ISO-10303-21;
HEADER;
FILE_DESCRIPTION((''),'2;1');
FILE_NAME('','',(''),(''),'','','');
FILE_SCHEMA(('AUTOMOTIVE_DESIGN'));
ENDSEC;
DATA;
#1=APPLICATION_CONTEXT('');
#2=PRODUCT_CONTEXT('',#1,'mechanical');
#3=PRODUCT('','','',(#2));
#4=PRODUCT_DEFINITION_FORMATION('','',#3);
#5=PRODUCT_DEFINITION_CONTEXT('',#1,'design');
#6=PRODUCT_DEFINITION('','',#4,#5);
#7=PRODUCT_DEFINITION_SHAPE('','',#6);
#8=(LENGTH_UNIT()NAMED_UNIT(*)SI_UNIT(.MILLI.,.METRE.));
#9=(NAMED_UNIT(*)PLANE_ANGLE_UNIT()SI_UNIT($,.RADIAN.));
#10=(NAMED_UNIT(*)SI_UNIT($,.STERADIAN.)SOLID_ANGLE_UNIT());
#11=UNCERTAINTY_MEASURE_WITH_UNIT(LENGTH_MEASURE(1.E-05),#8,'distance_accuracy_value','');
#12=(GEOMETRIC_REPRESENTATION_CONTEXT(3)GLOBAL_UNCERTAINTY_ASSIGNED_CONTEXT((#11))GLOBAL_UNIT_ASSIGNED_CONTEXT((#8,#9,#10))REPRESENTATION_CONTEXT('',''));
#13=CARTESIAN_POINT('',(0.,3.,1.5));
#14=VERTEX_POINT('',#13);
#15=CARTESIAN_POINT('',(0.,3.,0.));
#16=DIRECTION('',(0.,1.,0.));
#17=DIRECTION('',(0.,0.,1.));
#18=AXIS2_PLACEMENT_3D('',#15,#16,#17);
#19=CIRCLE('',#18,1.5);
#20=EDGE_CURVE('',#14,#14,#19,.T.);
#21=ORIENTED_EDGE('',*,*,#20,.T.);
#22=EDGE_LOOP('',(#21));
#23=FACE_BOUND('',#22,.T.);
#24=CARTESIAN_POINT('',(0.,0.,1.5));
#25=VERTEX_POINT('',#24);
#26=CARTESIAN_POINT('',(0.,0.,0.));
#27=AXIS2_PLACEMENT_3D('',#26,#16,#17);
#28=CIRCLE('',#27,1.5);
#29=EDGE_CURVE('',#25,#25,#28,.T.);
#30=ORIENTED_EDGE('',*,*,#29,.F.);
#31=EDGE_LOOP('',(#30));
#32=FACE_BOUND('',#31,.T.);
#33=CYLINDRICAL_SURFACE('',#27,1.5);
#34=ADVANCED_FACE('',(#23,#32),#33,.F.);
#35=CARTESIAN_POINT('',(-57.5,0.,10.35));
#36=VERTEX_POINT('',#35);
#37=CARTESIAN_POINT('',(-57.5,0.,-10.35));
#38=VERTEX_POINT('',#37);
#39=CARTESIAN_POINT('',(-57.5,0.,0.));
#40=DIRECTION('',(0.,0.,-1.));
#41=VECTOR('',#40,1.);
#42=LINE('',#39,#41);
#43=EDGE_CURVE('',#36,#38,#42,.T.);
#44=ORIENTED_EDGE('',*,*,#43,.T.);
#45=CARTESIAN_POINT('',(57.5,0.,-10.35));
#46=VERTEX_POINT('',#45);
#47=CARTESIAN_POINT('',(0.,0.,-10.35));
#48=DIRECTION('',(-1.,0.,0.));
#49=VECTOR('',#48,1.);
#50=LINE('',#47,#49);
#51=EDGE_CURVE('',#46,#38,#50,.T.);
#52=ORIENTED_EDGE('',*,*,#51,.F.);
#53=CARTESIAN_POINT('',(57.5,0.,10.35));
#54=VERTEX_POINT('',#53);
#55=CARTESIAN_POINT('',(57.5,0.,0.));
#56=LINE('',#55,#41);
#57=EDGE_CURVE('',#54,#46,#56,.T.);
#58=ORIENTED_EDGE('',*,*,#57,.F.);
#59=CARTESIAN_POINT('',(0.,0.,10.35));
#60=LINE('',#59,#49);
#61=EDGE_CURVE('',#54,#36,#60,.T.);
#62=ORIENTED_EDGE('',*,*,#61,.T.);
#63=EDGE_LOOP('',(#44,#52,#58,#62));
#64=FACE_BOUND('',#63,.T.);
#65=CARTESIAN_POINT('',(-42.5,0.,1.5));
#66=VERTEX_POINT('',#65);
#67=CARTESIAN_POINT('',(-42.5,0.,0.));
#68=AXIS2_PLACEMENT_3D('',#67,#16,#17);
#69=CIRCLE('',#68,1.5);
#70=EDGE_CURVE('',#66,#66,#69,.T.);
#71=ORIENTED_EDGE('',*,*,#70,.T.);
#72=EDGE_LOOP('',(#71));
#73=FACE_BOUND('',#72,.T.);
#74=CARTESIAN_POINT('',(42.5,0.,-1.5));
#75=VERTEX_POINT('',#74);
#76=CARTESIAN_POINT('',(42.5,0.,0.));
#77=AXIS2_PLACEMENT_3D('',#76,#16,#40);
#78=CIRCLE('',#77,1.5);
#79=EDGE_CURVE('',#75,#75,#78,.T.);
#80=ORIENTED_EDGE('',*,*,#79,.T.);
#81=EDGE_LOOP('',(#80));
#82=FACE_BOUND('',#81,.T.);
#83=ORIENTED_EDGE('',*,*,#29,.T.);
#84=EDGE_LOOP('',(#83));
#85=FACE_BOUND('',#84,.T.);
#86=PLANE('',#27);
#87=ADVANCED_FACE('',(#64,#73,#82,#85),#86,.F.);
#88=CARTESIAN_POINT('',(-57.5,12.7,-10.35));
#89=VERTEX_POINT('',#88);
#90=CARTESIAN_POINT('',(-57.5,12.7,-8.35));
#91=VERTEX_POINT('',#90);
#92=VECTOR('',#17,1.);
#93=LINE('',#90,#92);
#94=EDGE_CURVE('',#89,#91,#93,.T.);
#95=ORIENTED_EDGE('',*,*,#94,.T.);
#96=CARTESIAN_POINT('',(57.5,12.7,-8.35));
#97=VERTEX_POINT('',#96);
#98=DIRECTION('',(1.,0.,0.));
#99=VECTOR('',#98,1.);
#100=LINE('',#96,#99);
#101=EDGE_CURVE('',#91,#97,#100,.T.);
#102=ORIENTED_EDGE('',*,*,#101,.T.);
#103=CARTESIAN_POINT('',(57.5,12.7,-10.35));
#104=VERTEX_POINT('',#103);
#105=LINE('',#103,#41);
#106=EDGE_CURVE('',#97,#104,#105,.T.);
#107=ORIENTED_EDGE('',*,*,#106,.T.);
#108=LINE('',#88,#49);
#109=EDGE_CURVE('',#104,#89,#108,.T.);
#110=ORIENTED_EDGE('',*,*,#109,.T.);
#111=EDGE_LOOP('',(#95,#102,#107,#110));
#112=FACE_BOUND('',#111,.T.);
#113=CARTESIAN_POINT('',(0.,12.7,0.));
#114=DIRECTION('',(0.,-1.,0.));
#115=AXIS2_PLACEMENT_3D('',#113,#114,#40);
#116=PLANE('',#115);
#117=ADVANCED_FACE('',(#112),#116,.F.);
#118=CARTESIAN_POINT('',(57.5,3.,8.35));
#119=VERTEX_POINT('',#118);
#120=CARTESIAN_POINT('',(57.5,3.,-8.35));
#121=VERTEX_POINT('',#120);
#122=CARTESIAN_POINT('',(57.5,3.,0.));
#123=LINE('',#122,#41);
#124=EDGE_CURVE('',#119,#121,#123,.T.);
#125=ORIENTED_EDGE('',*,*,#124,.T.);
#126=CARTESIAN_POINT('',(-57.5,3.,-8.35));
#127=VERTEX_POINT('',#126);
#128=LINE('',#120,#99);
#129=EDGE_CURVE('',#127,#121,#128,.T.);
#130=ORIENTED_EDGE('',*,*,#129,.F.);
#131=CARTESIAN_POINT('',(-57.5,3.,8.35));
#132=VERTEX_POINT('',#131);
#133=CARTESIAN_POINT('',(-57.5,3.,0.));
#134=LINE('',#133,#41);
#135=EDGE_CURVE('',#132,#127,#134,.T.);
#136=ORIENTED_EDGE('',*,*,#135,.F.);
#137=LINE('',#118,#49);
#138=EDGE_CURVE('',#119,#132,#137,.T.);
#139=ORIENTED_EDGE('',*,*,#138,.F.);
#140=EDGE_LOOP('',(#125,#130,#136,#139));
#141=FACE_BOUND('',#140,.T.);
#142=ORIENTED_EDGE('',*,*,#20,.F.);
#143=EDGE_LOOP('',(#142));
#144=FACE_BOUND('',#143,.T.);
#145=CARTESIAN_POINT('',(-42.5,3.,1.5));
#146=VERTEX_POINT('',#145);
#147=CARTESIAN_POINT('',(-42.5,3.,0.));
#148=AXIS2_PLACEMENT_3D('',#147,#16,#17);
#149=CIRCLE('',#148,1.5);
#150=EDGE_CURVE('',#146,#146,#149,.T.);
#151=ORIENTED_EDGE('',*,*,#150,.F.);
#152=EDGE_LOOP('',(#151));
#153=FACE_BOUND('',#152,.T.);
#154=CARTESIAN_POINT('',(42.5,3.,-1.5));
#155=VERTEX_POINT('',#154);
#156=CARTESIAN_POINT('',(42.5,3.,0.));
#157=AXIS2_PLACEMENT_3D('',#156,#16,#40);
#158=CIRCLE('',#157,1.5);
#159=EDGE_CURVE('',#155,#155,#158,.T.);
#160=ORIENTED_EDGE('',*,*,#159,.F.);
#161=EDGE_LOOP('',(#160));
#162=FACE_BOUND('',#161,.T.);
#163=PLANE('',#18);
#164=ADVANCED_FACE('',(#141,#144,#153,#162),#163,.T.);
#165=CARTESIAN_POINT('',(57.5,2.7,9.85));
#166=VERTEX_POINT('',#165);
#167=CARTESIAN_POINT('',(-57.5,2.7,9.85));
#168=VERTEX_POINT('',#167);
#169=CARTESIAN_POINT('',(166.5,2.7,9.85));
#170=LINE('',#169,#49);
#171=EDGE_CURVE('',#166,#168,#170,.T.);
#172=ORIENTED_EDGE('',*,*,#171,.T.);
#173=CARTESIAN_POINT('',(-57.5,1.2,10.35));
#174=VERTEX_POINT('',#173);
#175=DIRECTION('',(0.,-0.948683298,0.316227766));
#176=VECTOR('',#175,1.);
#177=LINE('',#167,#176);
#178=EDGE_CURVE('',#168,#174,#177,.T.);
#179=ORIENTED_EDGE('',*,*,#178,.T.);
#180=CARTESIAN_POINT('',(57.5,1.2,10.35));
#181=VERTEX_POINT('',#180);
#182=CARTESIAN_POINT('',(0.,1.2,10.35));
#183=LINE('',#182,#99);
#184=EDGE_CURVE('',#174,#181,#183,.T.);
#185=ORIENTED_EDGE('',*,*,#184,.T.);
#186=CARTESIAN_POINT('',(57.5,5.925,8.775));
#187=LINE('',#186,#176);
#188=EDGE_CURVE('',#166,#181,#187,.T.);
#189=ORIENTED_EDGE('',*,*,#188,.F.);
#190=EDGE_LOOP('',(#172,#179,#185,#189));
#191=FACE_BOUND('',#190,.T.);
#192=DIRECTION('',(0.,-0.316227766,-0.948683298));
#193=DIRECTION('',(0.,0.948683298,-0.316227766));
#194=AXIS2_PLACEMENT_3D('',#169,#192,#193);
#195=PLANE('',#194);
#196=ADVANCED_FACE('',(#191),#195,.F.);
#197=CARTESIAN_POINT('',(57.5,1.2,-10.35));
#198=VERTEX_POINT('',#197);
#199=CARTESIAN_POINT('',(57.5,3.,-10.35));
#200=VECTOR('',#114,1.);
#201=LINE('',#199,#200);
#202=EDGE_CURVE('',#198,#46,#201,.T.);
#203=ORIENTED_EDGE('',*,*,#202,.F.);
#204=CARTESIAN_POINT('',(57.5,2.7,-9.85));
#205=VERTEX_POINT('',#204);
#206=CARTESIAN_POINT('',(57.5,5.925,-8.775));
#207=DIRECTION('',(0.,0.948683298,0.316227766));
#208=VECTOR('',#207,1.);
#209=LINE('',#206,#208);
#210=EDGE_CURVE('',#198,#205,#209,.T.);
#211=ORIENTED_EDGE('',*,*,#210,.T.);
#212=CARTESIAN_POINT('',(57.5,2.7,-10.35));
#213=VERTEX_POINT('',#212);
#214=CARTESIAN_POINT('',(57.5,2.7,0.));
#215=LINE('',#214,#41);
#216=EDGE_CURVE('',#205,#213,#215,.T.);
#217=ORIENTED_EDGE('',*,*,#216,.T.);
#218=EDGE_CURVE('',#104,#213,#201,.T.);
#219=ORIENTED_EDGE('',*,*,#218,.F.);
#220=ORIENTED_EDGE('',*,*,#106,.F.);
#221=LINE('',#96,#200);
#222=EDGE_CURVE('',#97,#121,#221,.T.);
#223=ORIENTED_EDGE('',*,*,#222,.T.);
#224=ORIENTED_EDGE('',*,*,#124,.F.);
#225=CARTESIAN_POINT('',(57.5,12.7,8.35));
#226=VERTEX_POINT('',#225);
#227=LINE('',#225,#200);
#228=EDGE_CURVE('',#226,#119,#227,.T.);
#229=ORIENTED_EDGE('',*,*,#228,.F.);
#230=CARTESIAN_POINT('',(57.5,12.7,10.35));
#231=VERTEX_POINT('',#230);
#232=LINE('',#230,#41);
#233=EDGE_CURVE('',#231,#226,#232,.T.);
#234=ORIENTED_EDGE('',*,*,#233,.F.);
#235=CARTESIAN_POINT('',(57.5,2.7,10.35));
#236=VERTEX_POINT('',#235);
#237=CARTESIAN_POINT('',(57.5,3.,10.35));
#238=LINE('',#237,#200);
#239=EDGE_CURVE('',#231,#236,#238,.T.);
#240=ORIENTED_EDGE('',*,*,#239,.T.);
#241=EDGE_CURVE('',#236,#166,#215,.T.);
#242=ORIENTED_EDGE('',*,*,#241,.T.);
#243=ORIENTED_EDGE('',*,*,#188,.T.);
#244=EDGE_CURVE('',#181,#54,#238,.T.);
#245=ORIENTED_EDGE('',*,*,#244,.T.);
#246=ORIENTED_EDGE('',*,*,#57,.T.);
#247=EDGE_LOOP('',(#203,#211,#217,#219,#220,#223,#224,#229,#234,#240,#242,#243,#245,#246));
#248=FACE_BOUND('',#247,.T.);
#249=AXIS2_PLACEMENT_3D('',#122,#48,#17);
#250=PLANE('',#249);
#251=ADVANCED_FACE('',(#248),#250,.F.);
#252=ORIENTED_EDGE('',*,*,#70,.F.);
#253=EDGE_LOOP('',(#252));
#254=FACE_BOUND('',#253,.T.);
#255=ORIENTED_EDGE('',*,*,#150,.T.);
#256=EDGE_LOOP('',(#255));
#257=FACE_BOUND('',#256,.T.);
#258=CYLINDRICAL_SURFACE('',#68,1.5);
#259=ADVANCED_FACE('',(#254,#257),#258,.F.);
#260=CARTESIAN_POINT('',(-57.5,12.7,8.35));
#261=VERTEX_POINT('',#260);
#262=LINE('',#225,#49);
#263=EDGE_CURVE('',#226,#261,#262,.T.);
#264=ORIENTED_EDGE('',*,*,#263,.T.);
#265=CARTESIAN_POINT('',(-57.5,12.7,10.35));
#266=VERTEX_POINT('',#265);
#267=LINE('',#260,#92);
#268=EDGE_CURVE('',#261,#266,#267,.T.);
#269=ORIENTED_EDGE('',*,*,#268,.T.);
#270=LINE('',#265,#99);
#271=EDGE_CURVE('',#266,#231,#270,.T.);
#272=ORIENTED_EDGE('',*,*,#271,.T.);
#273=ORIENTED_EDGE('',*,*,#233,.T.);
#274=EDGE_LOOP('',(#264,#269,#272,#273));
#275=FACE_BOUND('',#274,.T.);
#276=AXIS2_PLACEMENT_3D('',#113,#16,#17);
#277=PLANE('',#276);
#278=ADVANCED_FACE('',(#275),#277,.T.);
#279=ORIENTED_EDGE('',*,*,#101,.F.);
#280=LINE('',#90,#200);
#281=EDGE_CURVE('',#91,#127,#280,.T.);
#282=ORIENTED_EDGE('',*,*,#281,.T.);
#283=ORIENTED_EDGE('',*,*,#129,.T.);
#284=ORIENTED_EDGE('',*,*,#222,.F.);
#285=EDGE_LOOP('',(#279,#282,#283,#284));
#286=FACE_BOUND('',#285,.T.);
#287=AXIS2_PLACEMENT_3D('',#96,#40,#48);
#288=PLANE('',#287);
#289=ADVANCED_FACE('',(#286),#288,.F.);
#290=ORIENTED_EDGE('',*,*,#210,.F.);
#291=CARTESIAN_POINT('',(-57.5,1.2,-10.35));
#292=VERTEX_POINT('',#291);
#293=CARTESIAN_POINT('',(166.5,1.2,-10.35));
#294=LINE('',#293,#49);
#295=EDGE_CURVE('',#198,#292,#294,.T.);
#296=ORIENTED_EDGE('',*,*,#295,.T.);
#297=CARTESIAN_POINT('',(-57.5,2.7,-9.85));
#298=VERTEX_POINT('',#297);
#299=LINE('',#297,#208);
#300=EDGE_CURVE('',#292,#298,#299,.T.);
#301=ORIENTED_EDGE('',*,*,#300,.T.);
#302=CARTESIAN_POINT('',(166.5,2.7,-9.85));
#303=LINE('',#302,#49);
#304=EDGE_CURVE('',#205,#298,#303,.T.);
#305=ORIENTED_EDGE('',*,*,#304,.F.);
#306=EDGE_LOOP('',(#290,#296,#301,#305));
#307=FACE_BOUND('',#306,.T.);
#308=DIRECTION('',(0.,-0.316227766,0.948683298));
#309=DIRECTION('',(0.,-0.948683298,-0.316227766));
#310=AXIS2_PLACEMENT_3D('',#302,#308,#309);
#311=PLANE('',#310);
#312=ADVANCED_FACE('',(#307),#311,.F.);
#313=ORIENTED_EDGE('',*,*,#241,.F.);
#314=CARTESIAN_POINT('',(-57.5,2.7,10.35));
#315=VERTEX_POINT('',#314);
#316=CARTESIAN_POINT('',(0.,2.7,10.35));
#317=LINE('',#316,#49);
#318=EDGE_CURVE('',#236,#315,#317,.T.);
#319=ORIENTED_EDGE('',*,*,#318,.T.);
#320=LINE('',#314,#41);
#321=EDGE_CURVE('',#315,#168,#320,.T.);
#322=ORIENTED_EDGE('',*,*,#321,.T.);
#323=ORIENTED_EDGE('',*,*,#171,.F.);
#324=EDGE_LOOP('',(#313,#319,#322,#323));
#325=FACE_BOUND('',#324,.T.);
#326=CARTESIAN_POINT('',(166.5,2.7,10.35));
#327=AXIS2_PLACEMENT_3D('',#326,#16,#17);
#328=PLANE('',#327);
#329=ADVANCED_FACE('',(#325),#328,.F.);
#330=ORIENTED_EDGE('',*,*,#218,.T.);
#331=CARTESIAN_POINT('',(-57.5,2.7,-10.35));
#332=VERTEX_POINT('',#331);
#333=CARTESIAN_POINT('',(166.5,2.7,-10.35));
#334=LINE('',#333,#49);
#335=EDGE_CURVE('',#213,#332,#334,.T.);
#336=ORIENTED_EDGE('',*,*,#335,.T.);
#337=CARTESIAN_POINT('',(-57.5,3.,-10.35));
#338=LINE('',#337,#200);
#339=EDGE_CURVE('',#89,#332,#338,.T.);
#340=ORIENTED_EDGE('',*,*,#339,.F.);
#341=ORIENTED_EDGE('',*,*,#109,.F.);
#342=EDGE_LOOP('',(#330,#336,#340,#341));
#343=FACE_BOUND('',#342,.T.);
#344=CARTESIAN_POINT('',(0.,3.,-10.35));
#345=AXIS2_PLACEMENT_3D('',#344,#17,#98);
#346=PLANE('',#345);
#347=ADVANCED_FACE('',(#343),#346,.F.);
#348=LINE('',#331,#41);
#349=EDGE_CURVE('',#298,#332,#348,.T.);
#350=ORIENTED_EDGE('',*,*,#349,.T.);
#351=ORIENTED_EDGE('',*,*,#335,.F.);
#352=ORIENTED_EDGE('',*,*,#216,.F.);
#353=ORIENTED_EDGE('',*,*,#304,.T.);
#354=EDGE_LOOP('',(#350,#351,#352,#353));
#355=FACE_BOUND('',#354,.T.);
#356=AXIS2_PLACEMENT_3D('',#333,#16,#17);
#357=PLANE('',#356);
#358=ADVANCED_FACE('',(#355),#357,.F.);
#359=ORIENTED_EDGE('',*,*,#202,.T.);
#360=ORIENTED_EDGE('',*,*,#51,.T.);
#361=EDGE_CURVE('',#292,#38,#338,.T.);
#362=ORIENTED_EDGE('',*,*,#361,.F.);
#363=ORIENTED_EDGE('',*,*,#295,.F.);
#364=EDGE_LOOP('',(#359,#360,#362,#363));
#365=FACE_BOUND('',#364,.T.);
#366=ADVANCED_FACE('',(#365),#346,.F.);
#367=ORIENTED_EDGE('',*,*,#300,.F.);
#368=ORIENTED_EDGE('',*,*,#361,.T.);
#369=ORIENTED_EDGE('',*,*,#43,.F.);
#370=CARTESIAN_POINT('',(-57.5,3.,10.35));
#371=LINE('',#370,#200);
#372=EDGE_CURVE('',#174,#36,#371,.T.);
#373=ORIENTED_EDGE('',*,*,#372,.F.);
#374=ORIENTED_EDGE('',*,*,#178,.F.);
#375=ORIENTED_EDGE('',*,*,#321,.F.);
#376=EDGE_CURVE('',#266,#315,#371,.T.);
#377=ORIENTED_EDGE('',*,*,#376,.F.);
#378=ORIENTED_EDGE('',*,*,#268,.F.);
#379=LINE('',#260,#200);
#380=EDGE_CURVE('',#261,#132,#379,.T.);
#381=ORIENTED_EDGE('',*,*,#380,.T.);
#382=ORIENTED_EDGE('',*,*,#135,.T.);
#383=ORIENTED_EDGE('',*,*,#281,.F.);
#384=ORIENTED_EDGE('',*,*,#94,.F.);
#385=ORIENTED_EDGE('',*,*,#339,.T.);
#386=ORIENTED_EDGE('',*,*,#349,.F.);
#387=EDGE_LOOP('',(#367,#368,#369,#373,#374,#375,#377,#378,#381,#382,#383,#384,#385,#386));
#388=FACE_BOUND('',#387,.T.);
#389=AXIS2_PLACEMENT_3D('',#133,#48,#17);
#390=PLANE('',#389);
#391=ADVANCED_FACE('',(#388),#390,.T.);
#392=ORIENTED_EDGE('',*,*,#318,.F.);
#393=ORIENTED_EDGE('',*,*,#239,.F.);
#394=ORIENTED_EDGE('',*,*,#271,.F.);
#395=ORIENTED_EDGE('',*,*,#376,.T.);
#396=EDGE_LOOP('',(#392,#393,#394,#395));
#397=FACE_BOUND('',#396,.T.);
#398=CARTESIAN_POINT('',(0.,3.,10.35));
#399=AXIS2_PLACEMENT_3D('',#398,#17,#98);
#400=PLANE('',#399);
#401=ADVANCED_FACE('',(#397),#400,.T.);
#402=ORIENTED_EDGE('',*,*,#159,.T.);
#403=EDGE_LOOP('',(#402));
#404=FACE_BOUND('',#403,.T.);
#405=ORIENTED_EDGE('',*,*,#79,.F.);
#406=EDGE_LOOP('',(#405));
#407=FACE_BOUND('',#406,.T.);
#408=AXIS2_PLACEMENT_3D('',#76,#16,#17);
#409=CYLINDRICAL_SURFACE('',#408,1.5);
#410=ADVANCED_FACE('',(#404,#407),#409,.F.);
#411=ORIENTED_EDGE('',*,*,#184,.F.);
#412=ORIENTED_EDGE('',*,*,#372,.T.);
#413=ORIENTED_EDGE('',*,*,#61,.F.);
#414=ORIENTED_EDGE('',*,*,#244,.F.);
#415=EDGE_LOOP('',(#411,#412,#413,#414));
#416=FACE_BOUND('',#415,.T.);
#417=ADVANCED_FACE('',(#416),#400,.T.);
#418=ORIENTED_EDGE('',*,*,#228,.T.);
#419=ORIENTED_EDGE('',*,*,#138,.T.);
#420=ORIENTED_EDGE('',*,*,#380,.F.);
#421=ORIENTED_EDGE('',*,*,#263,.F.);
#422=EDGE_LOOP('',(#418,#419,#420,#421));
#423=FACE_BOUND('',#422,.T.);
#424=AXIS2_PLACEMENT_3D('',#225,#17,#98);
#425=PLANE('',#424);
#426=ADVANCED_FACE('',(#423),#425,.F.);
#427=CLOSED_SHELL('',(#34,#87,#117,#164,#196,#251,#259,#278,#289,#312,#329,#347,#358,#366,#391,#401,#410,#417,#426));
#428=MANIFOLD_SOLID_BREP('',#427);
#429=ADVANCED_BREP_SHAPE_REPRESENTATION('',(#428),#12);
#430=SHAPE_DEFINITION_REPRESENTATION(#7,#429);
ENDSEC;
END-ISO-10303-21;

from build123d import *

# Parameters (mm, degrees)
CROQUIS1_W              = 115
CROQUIS1_H              = 20.7
SALIENTE_EXTRUIR2_DEPTH = 3
CROQUIS6_R              = 1.5
CORTAR_EXTRUIR4_DEPTH   = 3
CROQUIS7_W              = 115
CROQUIS7_H              = 2
SALIENTE_EXTRUIR3_DEPTH = 9.7
CORTAR_EXTRUIR5_DEPTH   = 224


with BuildPart() as part:
    # Croquis1 → Saliente-Extruir2 (new body)
    with BuildSketch(Plane(origin=(0, 0, 0), x_dir=(1, 0, 0), z_dir=(0, 1, 0))):
        Rectangle(CROQUIS1_W, CROQUIS1_H)
    extrude(amount=SALIENTE_EXTRUIR2_DEPTH)

    # Croquis6 → Cortar-Extruir4 (cut)
    with BuildSketch(Plane(origin=(0, 3, 0), x_dir=(1, 0, 0), z_dir=(0, 1, 0))):
        with Locations((-42.5, 0)):
            Circle(CROQUIS6_R)
        Circle(CROQUIS6_R)
        with Locations((42.5, 0)):
            Circle(CROQUIS6_R)
    extrude(amount=-CORTAR_EXTRUIR4_DEPTH, mode=Mode.SUBTRACT)

    # Croquis7 → Saliente-Extruir3 (add)
    with BuildSketch(Plane(origin=(0, 3, 0), x_dir=(1, 0, 0), z_dir=(0, 1, 0))):
        with Locations((0, 9.35)):
            Rectangle(CROQUIS7_W, CROQUIS7_H)
        with Locations((0, -9.35)):
            Rectangle(CROQUIS7_W, CROQUIS7_H)
    extrude(amount=SALIENTE_EXTRUIR3_DEPTH)

    # Croquis9 → Cortar-Extruir5 (cut)
    with BuildSketch(Plane.ZY.offset(57.5)):
        Polygon((-10.35, 2.7), (-9.85, 2.7), (-10.35, 1.2), align=None)
        Polygon((10.35, 2.7), (9.85, 2.7), (10.35, 1.2), align=None)
    extrude(amount=-CORTAR_EXTRUIR5_DEPTH, mode=Mode.SUBTRACT)


solid = part.part
